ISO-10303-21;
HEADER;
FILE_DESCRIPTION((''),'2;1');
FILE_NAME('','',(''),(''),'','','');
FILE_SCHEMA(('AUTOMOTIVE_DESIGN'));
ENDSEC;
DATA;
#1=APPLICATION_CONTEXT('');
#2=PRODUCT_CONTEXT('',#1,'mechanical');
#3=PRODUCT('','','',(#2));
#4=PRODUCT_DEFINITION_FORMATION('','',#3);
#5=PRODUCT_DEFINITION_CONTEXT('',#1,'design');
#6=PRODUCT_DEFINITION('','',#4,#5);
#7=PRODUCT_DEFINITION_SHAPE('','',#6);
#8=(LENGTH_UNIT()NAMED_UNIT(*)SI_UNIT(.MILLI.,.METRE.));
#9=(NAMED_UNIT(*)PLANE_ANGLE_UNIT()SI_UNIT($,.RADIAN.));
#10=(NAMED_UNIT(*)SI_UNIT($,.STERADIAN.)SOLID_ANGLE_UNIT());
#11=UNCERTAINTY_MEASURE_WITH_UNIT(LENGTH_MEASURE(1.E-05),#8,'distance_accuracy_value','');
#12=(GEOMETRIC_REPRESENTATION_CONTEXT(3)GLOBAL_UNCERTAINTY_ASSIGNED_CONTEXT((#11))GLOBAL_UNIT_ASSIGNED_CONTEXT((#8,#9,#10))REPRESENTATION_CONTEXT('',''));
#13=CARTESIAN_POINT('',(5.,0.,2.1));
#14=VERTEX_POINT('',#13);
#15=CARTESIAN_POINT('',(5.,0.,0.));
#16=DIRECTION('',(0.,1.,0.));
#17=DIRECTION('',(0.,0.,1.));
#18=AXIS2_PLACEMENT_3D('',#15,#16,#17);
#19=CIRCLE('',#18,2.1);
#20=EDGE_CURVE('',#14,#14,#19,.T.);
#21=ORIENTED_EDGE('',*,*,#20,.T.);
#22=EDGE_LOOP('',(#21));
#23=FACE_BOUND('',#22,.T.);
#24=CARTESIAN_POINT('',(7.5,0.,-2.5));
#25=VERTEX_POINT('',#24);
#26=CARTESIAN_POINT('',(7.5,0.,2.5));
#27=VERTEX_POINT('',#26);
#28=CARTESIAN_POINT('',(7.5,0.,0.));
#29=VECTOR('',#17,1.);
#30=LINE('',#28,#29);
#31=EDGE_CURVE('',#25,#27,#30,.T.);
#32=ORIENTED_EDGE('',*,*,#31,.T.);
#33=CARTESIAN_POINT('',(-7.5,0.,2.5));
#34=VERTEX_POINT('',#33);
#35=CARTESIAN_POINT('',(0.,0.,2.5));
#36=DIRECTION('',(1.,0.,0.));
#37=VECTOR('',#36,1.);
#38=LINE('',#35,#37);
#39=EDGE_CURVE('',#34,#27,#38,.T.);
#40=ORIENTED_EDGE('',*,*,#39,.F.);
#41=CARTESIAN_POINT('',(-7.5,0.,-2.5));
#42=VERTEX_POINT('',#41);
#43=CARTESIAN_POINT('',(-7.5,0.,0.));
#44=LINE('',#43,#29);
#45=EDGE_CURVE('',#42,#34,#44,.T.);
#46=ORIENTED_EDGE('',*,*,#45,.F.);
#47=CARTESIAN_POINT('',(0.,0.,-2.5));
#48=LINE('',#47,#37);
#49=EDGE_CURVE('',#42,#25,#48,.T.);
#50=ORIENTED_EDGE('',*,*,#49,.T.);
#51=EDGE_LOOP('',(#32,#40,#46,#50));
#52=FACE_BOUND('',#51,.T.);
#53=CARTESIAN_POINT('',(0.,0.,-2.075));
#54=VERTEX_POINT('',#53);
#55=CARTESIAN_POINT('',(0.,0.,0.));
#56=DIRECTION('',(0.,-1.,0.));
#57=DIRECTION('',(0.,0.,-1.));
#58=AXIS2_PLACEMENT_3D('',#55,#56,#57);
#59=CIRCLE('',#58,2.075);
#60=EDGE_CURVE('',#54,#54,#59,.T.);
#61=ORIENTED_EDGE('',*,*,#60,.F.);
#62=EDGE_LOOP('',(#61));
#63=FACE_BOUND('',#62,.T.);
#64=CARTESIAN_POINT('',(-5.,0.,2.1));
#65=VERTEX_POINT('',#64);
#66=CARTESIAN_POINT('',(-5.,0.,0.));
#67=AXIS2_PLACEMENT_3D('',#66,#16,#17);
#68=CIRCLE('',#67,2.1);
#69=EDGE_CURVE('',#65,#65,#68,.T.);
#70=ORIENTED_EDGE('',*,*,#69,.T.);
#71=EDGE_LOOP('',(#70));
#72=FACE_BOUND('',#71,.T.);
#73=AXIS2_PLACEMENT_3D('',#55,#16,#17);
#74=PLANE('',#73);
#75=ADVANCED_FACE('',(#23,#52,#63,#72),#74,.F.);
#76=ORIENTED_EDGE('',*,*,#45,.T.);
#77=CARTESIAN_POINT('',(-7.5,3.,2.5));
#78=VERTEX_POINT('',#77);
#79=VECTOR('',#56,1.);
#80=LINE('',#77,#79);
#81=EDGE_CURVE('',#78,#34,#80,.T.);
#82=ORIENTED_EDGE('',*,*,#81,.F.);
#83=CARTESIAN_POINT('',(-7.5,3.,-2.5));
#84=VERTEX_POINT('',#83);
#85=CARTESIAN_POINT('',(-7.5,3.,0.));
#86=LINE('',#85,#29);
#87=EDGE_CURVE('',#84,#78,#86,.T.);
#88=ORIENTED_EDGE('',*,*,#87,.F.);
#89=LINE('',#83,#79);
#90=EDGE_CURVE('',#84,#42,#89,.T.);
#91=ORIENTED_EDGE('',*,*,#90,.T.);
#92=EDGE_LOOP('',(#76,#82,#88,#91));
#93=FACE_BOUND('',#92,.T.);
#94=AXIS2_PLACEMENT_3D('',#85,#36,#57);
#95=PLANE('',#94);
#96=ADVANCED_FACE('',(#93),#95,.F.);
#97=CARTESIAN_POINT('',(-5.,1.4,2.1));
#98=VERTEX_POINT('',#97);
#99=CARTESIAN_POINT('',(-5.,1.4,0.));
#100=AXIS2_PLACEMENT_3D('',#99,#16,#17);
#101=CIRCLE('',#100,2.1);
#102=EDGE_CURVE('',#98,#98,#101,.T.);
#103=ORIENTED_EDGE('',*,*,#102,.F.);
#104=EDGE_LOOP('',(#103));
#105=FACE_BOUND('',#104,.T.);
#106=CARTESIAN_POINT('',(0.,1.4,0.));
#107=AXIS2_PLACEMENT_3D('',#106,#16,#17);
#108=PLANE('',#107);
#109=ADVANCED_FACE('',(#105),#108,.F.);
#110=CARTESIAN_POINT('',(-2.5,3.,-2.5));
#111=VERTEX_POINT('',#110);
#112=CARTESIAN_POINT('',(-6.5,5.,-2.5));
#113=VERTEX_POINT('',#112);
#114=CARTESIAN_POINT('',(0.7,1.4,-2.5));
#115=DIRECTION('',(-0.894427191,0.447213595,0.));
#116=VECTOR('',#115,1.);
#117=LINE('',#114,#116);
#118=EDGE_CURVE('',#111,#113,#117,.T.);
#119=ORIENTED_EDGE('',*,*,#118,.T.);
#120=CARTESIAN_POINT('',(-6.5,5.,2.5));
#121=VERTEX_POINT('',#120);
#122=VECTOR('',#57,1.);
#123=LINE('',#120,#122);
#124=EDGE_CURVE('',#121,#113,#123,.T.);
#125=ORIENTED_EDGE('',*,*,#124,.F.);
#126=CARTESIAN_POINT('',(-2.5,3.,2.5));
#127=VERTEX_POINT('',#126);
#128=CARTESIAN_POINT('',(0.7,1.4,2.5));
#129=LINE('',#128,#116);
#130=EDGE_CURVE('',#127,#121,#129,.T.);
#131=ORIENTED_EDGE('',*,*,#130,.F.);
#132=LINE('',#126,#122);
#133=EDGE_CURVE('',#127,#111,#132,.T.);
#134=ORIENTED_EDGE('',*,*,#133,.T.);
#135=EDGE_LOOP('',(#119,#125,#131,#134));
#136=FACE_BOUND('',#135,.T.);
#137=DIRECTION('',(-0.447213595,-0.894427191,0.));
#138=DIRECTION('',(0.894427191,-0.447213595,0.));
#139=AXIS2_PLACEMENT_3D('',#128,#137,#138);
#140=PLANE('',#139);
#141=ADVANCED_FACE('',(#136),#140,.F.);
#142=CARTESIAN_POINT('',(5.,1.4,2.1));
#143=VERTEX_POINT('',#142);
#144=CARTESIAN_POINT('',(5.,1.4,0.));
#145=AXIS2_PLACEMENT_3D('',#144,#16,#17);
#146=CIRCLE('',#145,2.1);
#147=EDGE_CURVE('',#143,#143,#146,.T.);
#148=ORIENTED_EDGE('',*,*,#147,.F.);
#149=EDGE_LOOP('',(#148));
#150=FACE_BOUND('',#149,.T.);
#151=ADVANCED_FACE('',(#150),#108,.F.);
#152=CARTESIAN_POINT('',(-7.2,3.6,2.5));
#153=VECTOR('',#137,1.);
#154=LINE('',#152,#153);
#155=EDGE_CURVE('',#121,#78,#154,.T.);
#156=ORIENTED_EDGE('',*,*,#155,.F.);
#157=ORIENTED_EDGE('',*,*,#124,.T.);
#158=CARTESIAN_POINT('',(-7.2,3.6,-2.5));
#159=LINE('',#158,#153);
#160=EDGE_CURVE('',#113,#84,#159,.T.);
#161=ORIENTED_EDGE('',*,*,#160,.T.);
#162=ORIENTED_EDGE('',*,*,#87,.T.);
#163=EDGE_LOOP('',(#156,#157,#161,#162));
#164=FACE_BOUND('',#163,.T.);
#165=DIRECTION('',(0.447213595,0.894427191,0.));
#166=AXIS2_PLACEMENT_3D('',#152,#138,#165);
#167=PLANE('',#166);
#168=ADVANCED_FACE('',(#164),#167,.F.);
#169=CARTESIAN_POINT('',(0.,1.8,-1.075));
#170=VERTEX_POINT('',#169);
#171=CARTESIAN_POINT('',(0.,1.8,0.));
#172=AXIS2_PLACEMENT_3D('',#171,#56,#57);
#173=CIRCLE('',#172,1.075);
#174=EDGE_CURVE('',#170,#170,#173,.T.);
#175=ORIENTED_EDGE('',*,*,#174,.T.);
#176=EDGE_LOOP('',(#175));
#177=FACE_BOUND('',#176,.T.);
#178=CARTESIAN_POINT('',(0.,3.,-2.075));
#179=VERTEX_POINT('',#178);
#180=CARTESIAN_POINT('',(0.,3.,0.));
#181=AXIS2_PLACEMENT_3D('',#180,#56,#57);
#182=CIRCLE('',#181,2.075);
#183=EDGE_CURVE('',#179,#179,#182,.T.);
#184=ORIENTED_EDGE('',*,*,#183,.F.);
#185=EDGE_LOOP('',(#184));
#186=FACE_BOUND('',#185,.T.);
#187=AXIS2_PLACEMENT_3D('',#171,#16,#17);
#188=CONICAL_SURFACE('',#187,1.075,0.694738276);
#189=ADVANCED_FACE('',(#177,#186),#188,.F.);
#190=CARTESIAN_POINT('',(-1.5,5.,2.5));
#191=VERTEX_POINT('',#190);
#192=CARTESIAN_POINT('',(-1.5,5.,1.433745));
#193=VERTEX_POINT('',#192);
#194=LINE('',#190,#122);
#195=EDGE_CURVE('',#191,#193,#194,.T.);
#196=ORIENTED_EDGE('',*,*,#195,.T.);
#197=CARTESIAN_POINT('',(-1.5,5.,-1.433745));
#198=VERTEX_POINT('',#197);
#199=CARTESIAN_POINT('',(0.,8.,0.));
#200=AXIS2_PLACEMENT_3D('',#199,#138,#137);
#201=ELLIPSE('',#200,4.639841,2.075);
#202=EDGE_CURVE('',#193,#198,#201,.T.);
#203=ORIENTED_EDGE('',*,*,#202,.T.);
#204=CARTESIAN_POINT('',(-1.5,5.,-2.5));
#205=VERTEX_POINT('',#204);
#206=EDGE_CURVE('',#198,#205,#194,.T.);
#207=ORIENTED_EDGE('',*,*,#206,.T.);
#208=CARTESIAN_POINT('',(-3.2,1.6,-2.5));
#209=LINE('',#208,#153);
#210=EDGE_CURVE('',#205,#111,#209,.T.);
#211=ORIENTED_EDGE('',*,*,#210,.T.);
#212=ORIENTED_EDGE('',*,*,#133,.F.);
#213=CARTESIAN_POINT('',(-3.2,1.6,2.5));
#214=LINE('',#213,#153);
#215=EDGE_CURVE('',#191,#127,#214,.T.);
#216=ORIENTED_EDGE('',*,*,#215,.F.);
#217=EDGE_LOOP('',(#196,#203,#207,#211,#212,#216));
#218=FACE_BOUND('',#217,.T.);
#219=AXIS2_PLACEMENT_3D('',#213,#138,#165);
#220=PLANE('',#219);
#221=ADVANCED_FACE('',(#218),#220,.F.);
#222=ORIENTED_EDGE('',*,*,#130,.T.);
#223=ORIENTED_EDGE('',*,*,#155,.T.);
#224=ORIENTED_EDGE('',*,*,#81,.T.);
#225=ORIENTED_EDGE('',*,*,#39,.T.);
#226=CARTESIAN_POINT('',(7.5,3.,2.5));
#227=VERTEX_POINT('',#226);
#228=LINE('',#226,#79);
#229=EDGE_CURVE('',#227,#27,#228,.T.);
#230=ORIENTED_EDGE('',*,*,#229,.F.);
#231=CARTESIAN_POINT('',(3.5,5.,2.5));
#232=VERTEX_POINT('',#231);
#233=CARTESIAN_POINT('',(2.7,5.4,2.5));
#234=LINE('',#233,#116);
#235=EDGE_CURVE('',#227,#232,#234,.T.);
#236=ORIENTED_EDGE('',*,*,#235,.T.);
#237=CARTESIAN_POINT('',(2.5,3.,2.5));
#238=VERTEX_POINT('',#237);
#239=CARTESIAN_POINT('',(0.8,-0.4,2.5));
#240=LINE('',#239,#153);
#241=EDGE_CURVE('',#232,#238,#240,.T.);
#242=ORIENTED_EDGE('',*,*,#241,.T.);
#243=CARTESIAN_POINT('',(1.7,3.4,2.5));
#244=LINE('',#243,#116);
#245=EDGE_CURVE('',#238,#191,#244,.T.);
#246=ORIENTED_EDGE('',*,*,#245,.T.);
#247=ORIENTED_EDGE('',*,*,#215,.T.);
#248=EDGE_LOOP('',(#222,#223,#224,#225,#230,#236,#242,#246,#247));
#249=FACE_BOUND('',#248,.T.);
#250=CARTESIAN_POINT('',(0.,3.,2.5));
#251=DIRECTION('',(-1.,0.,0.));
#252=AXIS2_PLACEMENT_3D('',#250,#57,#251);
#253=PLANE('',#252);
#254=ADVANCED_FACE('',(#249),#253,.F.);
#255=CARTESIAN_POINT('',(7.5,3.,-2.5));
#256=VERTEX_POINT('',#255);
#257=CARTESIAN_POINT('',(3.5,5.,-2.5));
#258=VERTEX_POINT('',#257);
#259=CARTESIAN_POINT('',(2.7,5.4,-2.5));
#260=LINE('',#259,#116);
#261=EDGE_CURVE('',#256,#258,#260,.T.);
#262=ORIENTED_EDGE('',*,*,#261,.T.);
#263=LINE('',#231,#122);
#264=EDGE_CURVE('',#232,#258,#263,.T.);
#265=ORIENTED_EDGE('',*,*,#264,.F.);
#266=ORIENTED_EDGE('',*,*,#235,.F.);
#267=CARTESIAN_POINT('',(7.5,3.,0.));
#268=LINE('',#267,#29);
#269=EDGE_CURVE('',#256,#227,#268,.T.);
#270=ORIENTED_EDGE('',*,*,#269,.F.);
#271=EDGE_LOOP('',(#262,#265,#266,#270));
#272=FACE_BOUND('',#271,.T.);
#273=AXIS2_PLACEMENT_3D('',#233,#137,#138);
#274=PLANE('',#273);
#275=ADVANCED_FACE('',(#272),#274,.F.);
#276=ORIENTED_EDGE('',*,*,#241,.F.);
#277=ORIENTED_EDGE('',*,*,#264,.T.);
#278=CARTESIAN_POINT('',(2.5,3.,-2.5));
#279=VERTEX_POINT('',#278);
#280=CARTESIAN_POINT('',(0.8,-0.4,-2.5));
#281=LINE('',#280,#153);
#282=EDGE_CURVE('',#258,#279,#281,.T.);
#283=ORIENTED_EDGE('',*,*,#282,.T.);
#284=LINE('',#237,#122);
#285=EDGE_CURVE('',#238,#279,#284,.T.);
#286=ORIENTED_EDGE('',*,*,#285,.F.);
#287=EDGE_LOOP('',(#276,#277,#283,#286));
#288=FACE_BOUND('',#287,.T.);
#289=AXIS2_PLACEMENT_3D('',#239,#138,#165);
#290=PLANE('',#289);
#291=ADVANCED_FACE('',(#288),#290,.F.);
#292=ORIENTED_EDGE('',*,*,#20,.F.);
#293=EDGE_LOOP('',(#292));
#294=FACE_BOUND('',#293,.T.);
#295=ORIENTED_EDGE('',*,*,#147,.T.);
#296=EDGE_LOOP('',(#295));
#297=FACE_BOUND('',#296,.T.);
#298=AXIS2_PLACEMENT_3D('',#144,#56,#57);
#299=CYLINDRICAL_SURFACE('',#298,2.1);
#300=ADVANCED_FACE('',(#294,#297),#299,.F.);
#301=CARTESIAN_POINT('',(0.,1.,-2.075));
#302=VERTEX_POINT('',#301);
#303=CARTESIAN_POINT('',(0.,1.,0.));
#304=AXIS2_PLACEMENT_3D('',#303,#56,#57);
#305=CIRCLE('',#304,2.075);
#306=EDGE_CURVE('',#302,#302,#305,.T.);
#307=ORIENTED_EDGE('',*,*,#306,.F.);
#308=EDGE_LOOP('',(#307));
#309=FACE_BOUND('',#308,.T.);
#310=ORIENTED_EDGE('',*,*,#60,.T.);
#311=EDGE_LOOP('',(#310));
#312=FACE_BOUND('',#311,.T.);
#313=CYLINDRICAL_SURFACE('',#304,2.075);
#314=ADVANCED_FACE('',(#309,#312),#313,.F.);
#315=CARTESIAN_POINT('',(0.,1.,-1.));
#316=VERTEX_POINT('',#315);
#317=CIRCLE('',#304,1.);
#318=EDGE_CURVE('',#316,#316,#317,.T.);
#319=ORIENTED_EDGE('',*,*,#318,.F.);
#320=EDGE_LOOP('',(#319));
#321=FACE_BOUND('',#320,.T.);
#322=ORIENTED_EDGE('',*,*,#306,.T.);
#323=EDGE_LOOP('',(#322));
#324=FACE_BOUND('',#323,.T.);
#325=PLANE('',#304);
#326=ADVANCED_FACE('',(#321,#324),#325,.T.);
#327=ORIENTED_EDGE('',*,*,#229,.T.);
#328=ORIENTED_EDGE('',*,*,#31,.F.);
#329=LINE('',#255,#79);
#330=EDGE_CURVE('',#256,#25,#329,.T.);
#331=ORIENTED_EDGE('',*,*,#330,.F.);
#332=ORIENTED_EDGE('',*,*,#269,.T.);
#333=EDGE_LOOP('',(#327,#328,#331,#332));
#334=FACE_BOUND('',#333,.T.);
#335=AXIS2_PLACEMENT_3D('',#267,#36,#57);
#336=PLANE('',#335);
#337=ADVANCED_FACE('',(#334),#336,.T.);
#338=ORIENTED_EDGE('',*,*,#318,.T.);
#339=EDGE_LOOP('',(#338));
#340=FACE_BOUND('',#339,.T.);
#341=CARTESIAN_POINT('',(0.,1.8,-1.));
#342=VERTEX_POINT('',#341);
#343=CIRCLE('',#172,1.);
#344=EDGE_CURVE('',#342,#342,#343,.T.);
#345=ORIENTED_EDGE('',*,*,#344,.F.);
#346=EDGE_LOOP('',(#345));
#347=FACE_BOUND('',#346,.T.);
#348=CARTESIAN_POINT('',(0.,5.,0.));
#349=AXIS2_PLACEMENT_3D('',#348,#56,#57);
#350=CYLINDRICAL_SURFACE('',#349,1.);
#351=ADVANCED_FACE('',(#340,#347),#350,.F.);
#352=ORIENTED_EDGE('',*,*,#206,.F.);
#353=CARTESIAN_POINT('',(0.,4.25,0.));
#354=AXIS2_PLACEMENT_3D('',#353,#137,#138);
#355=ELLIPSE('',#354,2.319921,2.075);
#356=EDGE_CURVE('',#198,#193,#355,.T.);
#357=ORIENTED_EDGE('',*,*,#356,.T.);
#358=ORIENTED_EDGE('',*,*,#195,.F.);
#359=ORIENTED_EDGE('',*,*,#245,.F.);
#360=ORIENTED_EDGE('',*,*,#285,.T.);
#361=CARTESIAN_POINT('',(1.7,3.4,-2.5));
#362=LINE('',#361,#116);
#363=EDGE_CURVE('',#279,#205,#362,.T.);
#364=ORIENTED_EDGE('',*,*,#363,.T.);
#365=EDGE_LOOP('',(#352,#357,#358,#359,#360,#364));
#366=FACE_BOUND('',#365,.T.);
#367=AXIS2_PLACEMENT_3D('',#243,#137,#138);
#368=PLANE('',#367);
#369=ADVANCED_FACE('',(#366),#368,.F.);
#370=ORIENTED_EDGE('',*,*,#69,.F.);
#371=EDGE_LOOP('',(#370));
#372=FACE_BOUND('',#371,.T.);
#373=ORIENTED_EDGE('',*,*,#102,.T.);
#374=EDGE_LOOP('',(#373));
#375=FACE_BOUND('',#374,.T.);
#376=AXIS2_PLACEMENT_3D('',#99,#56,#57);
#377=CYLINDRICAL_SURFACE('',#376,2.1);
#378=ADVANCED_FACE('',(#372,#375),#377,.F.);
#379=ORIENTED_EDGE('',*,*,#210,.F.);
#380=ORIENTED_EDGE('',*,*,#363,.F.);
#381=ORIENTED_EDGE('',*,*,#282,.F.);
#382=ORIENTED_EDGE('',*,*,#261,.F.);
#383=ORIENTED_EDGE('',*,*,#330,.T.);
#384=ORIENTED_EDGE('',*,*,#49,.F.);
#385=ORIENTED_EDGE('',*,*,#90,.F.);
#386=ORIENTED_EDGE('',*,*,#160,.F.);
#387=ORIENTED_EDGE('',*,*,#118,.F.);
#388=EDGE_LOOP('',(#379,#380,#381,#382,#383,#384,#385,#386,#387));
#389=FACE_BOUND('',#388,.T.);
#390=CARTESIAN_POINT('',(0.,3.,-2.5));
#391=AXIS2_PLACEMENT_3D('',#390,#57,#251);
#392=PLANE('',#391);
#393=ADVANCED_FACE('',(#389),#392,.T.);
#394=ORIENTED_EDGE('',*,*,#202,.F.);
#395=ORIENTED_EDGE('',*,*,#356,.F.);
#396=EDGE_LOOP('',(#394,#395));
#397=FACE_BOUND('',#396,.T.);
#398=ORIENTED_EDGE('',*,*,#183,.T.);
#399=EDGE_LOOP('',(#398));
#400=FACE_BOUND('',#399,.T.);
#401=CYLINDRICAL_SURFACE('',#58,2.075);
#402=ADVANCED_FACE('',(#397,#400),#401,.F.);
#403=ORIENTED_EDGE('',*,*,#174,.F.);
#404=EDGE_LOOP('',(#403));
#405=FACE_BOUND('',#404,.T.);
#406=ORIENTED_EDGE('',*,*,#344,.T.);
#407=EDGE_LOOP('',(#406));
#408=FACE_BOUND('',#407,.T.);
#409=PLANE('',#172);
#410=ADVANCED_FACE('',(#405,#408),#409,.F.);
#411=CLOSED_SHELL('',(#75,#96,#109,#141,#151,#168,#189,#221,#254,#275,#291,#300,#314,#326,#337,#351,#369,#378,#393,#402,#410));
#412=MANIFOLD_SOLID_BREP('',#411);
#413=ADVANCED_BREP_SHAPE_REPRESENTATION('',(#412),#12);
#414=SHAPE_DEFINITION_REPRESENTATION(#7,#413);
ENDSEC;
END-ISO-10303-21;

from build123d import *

# Parameters (mm, degrees)
SKETCH_1_W          = 15
SKETCH_1_H          = 5
EXTRUDE_1_DEPTH     = 3
EXTRUDE_2_DEPTH     = 2.5
SKETCH_1_3_R        = 1
CUT_EXTRUDE_1_DEPTH = 10.354143467
SKETCH_1_4_R        = 2.1
CUT_EXTRUDE_2_DEPTH = 1.4
CUT_EXTRUDE_START   = -1
SKETCH_5_R          = 2.075
CUT_EXTRUDE_3_DEPTH = 1


with BuildPart() as part:
    # 草图1 → 凸台-拉伸1 (new body)
    with BuildSketch(Plane(origin=(0, 0, 0), x_dir=(1, 0, 0), z_dir=(0, 1, 0))):
        Rectangle(SKETCH_1_W, SKETCH_1_H)
    extrude(amount=EXTRUDE_1_DEPTH)

    # 草图2 → 凸台-拉伸2 (add, symmetric)
    with BuildSketch(Plane.XY):
        Polygon((2.5, 3), (7.5, 3), (3.5, 5), align=None)
        Polygon((-7.5, 3), (-2.5, 3), (-6.5, 5), align=None)
        Polygon((-2.5, 3), (2.5, 3), (-1.5, 5), align=None)
    extrude(amount=EXTRUDE_2_DEPTH, both=True)

    # 草图1<3> → 切除-拉伸1 (cut, through all)
    with BuildSketch(Plane(origin=(0, 0, 0), x_dir=(1, 0, 0), z_dir=(0, 1, 0))):
        Circle(SKETCH_1_3_R)
    extrude(amount=CUT_EXTRUDE_1_DEPTH, mode=Mode.SUBTRACT)

    # 草图1<4> → 切除-拉伸2 (cut)
    with BuildSketch(Plane(origin=(0, 0, 0), x_dir=(1, 0, 0), z_dir=(0, 1, 0))):
        with Locations((5, 0)):
            Circle(SKETCH_1_4_R)
        with Locations((-5, 0)):
            Circle(SKETCH_1_4_R)
    extrude(amount=CUT_EXTRUDE_2_DEPTH, mode=Mode.SUBTRACT)

    # 草图4 → 切除-旋转1 (revolve, cut)
    with BuildSketch(Plane.XY):
        Polygon((0, 1.8), (1.075, 1.8), (2.075, 3), (2.075, 5), (0, 5), align=None)
    revolve(axis=Axis((0, 0, 0), (0, 1, 0)), mode=Mode.SUBTRACT)

    # 草图5 → 切除-拉伸3 (cut)
    with BuildSketch(Plane.XZ.offset(CUT_EXTRUDE_START)):
        Circle(SKETCH_5_R)
    extrude(amount=CUT_EXTRUDE_3_DEPTH, mode=Mode.SUBTRACT)


solid = part.part
